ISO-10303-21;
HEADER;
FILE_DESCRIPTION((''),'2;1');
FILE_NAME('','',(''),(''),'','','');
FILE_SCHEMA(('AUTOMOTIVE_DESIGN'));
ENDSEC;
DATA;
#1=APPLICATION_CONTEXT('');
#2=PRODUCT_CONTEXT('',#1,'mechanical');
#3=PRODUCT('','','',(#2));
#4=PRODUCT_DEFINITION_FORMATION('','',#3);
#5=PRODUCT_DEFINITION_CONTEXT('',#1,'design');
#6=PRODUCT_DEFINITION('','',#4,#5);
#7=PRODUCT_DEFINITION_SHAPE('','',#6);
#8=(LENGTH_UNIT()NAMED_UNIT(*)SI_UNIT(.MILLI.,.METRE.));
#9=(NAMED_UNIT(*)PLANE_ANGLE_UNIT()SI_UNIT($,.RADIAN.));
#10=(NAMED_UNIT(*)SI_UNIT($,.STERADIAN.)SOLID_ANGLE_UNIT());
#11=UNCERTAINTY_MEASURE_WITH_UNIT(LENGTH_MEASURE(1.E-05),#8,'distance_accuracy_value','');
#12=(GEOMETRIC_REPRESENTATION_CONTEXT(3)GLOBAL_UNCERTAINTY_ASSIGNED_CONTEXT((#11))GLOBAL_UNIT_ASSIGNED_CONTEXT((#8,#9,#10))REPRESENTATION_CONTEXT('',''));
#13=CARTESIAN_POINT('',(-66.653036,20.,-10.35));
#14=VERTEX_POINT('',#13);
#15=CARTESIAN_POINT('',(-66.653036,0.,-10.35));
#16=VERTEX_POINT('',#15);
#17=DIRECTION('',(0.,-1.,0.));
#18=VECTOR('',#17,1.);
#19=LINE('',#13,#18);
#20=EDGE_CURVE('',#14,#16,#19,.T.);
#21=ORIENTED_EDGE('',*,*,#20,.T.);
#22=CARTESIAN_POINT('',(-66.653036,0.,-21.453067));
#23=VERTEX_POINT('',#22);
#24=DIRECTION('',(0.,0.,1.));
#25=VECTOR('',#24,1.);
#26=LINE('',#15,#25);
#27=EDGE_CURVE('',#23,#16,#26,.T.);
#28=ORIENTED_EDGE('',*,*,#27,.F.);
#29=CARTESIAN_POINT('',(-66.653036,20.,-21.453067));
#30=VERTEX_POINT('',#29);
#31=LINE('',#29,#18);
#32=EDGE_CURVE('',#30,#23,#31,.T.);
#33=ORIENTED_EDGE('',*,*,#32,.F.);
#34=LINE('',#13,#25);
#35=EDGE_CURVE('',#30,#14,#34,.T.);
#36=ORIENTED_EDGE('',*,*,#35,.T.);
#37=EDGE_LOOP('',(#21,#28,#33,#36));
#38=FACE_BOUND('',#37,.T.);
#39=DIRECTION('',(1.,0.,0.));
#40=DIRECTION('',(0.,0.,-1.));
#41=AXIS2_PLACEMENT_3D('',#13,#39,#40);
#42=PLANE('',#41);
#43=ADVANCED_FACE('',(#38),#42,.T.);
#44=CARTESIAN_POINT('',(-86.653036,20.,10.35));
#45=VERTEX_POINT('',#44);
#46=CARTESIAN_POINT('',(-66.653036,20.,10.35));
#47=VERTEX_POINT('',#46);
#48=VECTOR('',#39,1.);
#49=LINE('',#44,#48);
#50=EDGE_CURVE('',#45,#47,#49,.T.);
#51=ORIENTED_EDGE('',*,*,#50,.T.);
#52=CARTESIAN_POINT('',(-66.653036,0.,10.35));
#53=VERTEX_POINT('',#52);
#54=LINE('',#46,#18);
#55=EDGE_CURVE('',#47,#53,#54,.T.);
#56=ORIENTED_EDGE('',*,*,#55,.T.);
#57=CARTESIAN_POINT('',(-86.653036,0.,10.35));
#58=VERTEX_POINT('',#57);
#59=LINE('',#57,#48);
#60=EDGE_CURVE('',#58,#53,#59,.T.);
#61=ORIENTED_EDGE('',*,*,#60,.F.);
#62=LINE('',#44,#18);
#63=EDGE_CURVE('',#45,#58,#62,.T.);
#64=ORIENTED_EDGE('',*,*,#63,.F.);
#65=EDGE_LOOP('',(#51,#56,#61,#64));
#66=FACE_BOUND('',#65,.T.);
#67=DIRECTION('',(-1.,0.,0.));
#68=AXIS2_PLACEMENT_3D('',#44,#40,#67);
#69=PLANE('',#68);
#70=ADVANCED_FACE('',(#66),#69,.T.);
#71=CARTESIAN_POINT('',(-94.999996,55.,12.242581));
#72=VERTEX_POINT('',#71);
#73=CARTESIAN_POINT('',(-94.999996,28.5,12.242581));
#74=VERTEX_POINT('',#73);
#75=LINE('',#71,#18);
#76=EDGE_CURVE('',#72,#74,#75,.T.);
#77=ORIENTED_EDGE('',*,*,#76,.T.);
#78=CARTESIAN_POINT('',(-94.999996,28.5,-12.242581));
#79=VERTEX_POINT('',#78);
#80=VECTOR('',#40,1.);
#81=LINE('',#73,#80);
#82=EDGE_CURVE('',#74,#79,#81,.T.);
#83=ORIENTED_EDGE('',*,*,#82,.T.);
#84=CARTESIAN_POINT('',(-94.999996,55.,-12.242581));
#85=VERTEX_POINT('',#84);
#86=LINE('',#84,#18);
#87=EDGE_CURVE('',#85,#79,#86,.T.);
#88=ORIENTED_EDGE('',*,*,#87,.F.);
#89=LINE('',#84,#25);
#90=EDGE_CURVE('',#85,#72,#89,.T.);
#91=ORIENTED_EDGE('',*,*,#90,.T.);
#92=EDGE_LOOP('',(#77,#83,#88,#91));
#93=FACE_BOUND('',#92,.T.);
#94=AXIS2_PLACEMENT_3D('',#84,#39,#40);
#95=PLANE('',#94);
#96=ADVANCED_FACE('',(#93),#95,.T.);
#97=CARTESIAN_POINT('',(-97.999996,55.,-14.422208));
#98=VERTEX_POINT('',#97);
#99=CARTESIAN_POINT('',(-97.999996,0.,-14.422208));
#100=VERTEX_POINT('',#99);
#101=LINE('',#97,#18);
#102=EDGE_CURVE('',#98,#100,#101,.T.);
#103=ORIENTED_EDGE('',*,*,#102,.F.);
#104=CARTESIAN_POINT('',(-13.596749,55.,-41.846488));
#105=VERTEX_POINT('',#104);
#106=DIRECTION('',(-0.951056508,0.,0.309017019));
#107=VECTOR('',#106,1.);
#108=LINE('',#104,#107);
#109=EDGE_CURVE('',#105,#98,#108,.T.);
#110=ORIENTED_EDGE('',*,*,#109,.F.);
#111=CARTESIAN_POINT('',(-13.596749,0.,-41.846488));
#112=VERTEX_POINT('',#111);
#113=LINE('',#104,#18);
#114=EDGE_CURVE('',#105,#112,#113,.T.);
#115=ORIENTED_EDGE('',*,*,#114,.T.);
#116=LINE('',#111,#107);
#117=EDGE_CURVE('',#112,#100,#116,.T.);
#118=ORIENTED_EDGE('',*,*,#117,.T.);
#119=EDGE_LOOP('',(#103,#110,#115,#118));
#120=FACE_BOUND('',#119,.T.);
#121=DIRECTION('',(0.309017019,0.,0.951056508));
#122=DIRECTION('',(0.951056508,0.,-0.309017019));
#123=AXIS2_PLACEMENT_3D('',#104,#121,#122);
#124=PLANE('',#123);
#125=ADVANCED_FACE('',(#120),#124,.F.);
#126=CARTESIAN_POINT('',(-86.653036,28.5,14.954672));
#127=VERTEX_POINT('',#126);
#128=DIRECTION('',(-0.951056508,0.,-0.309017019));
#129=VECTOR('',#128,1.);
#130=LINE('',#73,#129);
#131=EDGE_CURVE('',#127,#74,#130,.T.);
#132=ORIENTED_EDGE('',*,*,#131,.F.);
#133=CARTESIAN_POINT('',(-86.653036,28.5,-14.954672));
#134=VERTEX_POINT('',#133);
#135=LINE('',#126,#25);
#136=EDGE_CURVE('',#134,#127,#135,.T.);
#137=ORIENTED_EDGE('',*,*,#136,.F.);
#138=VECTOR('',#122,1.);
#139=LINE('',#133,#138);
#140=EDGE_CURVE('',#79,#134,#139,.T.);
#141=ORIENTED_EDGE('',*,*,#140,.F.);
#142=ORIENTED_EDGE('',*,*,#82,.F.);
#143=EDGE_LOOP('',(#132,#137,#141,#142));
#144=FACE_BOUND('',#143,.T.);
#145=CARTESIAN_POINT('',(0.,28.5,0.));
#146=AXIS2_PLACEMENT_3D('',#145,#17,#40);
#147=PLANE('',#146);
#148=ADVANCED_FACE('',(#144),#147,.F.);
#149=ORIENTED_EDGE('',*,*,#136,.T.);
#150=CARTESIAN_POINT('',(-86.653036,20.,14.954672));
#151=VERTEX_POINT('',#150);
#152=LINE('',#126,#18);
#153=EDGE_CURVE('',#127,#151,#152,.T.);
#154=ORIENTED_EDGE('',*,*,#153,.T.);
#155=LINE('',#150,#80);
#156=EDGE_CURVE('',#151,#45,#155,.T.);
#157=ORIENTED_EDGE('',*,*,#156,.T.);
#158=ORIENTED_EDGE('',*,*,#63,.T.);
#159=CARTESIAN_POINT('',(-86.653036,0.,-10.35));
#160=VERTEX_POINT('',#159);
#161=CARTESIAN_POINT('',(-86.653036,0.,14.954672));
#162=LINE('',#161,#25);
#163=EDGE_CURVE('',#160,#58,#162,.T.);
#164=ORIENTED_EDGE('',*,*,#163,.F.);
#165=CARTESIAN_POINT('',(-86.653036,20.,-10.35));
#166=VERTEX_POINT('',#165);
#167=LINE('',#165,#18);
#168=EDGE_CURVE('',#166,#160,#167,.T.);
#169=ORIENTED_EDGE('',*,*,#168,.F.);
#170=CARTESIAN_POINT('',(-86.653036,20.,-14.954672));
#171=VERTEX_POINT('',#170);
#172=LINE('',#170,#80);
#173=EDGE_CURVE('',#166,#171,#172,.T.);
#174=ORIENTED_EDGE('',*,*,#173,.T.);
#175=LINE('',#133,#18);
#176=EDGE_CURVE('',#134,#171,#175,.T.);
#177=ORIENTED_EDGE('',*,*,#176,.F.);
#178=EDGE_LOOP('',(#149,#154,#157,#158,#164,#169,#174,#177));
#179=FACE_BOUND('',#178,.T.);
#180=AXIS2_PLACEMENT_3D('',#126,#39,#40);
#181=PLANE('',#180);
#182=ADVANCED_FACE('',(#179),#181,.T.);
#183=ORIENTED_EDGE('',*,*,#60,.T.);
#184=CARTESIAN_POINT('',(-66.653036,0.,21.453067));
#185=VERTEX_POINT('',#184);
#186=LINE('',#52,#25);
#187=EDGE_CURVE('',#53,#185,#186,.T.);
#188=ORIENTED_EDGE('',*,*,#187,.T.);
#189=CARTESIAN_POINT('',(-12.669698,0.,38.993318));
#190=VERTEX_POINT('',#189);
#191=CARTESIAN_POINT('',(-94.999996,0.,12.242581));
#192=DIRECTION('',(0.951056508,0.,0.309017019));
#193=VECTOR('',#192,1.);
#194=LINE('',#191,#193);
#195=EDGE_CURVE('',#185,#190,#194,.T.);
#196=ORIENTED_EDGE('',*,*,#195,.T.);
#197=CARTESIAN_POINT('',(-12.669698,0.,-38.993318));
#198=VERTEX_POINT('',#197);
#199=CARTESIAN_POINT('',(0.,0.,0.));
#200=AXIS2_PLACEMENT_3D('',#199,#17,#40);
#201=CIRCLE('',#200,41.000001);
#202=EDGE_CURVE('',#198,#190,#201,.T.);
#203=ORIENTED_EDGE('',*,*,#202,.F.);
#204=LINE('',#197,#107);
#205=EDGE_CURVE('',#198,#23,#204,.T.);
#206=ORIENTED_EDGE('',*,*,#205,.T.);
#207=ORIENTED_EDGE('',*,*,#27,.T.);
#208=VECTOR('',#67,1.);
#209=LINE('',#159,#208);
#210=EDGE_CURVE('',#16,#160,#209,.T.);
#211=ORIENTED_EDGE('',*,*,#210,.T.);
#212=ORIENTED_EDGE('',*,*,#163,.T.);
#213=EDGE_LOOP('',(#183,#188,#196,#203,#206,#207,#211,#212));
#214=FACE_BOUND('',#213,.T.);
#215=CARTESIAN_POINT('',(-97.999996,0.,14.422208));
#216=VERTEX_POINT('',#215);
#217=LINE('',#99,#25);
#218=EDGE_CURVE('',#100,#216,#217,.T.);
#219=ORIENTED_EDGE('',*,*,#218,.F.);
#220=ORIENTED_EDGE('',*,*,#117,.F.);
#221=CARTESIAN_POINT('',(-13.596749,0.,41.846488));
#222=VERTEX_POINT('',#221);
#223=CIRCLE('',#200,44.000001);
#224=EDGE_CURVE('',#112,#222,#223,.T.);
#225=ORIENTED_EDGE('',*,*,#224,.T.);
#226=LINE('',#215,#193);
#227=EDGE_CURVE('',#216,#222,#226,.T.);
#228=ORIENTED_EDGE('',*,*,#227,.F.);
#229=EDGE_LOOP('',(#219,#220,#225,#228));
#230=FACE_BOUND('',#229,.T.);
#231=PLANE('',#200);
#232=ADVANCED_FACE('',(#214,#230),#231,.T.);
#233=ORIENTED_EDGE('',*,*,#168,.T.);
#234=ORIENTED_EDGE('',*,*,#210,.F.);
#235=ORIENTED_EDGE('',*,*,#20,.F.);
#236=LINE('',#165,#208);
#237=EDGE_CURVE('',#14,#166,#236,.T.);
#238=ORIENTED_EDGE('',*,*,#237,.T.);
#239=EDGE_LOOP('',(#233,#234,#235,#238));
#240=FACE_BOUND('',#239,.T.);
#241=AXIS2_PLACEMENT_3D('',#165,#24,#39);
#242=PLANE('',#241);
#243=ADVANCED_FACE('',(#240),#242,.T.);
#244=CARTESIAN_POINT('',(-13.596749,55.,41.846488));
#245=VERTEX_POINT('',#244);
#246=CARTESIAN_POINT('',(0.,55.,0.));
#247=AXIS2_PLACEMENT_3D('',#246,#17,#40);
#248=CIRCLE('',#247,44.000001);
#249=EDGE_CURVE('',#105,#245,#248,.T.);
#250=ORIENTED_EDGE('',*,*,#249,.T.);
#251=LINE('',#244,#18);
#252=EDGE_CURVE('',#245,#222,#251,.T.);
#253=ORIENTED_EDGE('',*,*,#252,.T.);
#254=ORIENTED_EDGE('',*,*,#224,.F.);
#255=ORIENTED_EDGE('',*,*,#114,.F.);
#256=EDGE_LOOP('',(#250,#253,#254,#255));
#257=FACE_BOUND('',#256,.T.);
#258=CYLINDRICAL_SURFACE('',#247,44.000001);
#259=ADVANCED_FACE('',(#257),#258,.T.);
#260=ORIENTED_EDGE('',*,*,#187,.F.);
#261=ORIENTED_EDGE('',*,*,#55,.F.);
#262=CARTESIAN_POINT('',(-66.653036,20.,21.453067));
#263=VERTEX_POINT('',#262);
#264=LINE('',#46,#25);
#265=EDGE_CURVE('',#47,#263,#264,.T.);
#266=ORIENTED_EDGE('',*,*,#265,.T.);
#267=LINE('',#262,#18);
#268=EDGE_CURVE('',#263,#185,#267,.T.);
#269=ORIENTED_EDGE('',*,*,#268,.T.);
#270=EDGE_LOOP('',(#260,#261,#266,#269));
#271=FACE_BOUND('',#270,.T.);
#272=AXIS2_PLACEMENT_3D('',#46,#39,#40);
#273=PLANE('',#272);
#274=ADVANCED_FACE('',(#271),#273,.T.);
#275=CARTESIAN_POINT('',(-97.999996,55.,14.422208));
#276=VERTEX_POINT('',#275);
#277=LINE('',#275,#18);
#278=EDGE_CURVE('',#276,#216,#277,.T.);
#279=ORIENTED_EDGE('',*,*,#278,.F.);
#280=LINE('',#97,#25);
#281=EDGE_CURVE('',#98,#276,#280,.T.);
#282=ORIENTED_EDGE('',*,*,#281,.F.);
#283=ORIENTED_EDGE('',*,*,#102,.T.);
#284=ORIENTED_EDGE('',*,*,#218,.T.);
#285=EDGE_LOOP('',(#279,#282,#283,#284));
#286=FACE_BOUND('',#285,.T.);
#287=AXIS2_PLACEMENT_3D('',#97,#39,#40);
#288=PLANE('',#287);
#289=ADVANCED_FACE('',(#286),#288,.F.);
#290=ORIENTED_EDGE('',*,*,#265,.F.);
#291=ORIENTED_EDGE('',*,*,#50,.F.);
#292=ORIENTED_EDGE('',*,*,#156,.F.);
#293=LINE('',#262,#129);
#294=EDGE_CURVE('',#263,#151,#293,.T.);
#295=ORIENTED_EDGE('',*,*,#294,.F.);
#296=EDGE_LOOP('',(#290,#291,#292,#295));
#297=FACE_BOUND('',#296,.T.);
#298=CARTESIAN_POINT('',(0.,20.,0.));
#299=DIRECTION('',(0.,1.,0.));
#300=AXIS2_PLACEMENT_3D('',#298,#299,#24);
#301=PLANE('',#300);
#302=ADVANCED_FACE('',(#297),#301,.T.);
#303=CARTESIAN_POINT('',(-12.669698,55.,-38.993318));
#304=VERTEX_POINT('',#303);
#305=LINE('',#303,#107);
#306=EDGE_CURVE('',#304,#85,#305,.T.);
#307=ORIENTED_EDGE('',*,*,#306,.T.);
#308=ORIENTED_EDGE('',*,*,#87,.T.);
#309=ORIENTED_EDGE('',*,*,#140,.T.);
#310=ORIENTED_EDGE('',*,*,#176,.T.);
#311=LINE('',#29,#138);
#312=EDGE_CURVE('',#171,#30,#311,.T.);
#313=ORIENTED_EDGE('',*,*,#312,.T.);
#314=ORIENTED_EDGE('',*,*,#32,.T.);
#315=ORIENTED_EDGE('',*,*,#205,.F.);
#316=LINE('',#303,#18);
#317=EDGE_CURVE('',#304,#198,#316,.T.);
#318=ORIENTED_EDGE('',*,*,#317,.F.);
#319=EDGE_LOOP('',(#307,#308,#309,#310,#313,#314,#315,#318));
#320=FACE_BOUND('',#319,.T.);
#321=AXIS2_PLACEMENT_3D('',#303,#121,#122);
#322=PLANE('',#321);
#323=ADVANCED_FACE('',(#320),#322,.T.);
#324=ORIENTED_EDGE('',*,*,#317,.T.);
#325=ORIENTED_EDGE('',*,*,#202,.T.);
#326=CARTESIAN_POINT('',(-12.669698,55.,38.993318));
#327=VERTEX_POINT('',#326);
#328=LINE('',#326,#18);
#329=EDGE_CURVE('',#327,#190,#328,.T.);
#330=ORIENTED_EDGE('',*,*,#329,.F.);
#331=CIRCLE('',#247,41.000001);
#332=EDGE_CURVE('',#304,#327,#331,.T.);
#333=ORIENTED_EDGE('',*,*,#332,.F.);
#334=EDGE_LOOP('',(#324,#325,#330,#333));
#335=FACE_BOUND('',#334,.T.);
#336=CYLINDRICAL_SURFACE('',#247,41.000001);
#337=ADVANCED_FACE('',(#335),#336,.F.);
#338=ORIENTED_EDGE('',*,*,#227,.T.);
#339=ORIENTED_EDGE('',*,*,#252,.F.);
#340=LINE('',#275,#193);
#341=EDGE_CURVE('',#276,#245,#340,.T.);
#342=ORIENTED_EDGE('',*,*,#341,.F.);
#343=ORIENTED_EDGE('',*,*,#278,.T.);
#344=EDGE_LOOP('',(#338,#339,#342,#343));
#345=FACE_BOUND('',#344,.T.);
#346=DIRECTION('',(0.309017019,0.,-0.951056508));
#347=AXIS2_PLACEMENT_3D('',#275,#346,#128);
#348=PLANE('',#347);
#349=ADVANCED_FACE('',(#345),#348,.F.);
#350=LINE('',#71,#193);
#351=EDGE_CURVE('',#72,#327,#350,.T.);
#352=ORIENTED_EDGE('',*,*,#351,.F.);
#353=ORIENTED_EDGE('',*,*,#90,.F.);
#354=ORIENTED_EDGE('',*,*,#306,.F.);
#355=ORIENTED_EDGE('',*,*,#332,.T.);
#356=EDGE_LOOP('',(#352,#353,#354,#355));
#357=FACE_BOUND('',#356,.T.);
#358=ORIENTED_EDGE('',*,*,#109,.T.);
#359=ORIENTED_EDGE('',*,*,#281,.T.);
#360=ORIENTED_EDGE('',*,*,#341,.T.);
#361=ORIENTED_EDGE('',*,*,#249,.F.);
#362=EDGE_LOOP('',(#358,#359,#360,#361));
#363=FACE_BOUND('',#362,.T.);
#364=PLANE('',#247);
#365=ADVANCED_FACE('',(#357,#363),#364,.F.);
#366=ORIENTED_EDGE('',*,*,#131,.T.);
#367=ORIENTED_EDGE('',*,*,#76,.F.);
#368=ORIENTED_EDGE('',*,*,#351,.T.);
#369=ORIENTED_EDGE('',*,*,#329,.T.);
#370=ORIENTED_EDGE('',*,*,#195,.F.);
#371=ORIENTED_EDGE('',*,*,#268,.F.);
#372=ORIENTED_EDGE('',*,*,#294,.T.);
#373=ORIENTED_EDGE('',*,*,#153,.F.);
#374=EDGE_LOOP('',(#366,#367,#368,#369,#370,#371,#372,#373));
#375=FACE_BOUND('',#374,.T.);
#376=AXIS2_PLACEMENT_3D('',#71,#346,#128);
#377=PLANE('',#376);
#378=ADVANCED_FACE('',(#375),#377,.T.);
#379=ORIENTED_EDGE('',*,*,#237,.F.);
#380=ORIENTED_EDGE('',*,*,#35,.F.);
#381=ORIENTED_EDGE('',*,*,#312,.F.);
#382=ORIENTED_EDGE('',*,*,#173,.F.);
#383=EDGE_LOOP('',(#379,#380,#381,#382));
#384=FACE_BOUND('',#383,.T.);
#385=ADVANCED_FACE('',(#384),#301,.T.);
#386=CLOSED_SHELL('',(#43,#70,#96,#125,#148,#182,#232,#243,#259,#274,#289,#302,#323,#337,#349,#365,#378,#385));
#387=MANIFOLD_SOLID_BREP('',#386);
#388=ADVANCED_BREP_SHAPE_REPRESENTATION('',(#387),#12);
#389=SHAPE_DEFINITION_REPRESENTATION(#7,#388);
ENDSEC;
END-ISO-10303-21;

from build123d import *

# Parameters (mm, degrees)
BOSS_EXTRUDE1_DEPTH = 55
BOSS_EXTRUDE2_DEPTH = 28.5
BOSS_EXTRUDE3_DEPTH = 20


with BuildPart() as part:
    # Sketch1 → Boss-Extrude1 (new body)
    with BuildSketch(Plane(origin=(0, 0, 0), x_dir=(1, 0, 0), z_dir=(0, 1, 0))):
        with BuildLine():
            Line((-97.999995759, -14.422208071), (-13.596749299, -41.846487728))
            ThreePointArc((-13.596749299, -41.846487728), (44.00000144, 0), (-13.596749299, 41.846487728))
            Line((-13.596749299, 41.846487728), (-97.999995759, 14.422208071))
            Line((-97.999995759, 14.422208071), (-97.999995759, -14.422208071))
        make_face()
        with BuildLine():
            Line((-94.999995759, -12.242580547), (-12.669698241, -38.993318204))
            ThreePointArc((-12.669698241, -38.993318204), (41.00000144, 0), (-12.669698241, 38.993318204))
            Line((-12.669698241, 38.993318204), (-94.999995759, 12.242580547))
            Line((-94.999995759, 12.242580547), (-94.999995759, -12.242580547))
        make_face(mode=Mode.SUBTRACT)
    extrude(amount=BOSS_EXTRUDE1_DEPTH)

    # Sketch2 → Boss-Extrude2 (add)
    with BuildSketch(Plane.XZ):
        Polygon((-86.653035759, 14.954672498), (-86.653035759, -14.954672498), (-94.999995759, -12.242580547), (-94.999995759, 12.242580547), align=None)
    extrude(amount=-BOSS_EXTRUDE2_DEPTH)

    # Sketch3 → Boss-Extrude3 (add)
    with BuildSketch(Plane.XZ):
        Polygon((-86.653035759, -10.35), (-66.653035759, -10.35), (-66.653035759, -21.453067005), (-86.653035759, -14.954672498), align=None)
        Polygon((-66.653035759, 21.453067005), (-86.653035759, 14.954672498), (-86.653035759, 10.35), (-66.653035759, 10.35), align=None)
    extrude(amount=-BOSS_EXTRUDE3_DEPTH)


solid = part.part
